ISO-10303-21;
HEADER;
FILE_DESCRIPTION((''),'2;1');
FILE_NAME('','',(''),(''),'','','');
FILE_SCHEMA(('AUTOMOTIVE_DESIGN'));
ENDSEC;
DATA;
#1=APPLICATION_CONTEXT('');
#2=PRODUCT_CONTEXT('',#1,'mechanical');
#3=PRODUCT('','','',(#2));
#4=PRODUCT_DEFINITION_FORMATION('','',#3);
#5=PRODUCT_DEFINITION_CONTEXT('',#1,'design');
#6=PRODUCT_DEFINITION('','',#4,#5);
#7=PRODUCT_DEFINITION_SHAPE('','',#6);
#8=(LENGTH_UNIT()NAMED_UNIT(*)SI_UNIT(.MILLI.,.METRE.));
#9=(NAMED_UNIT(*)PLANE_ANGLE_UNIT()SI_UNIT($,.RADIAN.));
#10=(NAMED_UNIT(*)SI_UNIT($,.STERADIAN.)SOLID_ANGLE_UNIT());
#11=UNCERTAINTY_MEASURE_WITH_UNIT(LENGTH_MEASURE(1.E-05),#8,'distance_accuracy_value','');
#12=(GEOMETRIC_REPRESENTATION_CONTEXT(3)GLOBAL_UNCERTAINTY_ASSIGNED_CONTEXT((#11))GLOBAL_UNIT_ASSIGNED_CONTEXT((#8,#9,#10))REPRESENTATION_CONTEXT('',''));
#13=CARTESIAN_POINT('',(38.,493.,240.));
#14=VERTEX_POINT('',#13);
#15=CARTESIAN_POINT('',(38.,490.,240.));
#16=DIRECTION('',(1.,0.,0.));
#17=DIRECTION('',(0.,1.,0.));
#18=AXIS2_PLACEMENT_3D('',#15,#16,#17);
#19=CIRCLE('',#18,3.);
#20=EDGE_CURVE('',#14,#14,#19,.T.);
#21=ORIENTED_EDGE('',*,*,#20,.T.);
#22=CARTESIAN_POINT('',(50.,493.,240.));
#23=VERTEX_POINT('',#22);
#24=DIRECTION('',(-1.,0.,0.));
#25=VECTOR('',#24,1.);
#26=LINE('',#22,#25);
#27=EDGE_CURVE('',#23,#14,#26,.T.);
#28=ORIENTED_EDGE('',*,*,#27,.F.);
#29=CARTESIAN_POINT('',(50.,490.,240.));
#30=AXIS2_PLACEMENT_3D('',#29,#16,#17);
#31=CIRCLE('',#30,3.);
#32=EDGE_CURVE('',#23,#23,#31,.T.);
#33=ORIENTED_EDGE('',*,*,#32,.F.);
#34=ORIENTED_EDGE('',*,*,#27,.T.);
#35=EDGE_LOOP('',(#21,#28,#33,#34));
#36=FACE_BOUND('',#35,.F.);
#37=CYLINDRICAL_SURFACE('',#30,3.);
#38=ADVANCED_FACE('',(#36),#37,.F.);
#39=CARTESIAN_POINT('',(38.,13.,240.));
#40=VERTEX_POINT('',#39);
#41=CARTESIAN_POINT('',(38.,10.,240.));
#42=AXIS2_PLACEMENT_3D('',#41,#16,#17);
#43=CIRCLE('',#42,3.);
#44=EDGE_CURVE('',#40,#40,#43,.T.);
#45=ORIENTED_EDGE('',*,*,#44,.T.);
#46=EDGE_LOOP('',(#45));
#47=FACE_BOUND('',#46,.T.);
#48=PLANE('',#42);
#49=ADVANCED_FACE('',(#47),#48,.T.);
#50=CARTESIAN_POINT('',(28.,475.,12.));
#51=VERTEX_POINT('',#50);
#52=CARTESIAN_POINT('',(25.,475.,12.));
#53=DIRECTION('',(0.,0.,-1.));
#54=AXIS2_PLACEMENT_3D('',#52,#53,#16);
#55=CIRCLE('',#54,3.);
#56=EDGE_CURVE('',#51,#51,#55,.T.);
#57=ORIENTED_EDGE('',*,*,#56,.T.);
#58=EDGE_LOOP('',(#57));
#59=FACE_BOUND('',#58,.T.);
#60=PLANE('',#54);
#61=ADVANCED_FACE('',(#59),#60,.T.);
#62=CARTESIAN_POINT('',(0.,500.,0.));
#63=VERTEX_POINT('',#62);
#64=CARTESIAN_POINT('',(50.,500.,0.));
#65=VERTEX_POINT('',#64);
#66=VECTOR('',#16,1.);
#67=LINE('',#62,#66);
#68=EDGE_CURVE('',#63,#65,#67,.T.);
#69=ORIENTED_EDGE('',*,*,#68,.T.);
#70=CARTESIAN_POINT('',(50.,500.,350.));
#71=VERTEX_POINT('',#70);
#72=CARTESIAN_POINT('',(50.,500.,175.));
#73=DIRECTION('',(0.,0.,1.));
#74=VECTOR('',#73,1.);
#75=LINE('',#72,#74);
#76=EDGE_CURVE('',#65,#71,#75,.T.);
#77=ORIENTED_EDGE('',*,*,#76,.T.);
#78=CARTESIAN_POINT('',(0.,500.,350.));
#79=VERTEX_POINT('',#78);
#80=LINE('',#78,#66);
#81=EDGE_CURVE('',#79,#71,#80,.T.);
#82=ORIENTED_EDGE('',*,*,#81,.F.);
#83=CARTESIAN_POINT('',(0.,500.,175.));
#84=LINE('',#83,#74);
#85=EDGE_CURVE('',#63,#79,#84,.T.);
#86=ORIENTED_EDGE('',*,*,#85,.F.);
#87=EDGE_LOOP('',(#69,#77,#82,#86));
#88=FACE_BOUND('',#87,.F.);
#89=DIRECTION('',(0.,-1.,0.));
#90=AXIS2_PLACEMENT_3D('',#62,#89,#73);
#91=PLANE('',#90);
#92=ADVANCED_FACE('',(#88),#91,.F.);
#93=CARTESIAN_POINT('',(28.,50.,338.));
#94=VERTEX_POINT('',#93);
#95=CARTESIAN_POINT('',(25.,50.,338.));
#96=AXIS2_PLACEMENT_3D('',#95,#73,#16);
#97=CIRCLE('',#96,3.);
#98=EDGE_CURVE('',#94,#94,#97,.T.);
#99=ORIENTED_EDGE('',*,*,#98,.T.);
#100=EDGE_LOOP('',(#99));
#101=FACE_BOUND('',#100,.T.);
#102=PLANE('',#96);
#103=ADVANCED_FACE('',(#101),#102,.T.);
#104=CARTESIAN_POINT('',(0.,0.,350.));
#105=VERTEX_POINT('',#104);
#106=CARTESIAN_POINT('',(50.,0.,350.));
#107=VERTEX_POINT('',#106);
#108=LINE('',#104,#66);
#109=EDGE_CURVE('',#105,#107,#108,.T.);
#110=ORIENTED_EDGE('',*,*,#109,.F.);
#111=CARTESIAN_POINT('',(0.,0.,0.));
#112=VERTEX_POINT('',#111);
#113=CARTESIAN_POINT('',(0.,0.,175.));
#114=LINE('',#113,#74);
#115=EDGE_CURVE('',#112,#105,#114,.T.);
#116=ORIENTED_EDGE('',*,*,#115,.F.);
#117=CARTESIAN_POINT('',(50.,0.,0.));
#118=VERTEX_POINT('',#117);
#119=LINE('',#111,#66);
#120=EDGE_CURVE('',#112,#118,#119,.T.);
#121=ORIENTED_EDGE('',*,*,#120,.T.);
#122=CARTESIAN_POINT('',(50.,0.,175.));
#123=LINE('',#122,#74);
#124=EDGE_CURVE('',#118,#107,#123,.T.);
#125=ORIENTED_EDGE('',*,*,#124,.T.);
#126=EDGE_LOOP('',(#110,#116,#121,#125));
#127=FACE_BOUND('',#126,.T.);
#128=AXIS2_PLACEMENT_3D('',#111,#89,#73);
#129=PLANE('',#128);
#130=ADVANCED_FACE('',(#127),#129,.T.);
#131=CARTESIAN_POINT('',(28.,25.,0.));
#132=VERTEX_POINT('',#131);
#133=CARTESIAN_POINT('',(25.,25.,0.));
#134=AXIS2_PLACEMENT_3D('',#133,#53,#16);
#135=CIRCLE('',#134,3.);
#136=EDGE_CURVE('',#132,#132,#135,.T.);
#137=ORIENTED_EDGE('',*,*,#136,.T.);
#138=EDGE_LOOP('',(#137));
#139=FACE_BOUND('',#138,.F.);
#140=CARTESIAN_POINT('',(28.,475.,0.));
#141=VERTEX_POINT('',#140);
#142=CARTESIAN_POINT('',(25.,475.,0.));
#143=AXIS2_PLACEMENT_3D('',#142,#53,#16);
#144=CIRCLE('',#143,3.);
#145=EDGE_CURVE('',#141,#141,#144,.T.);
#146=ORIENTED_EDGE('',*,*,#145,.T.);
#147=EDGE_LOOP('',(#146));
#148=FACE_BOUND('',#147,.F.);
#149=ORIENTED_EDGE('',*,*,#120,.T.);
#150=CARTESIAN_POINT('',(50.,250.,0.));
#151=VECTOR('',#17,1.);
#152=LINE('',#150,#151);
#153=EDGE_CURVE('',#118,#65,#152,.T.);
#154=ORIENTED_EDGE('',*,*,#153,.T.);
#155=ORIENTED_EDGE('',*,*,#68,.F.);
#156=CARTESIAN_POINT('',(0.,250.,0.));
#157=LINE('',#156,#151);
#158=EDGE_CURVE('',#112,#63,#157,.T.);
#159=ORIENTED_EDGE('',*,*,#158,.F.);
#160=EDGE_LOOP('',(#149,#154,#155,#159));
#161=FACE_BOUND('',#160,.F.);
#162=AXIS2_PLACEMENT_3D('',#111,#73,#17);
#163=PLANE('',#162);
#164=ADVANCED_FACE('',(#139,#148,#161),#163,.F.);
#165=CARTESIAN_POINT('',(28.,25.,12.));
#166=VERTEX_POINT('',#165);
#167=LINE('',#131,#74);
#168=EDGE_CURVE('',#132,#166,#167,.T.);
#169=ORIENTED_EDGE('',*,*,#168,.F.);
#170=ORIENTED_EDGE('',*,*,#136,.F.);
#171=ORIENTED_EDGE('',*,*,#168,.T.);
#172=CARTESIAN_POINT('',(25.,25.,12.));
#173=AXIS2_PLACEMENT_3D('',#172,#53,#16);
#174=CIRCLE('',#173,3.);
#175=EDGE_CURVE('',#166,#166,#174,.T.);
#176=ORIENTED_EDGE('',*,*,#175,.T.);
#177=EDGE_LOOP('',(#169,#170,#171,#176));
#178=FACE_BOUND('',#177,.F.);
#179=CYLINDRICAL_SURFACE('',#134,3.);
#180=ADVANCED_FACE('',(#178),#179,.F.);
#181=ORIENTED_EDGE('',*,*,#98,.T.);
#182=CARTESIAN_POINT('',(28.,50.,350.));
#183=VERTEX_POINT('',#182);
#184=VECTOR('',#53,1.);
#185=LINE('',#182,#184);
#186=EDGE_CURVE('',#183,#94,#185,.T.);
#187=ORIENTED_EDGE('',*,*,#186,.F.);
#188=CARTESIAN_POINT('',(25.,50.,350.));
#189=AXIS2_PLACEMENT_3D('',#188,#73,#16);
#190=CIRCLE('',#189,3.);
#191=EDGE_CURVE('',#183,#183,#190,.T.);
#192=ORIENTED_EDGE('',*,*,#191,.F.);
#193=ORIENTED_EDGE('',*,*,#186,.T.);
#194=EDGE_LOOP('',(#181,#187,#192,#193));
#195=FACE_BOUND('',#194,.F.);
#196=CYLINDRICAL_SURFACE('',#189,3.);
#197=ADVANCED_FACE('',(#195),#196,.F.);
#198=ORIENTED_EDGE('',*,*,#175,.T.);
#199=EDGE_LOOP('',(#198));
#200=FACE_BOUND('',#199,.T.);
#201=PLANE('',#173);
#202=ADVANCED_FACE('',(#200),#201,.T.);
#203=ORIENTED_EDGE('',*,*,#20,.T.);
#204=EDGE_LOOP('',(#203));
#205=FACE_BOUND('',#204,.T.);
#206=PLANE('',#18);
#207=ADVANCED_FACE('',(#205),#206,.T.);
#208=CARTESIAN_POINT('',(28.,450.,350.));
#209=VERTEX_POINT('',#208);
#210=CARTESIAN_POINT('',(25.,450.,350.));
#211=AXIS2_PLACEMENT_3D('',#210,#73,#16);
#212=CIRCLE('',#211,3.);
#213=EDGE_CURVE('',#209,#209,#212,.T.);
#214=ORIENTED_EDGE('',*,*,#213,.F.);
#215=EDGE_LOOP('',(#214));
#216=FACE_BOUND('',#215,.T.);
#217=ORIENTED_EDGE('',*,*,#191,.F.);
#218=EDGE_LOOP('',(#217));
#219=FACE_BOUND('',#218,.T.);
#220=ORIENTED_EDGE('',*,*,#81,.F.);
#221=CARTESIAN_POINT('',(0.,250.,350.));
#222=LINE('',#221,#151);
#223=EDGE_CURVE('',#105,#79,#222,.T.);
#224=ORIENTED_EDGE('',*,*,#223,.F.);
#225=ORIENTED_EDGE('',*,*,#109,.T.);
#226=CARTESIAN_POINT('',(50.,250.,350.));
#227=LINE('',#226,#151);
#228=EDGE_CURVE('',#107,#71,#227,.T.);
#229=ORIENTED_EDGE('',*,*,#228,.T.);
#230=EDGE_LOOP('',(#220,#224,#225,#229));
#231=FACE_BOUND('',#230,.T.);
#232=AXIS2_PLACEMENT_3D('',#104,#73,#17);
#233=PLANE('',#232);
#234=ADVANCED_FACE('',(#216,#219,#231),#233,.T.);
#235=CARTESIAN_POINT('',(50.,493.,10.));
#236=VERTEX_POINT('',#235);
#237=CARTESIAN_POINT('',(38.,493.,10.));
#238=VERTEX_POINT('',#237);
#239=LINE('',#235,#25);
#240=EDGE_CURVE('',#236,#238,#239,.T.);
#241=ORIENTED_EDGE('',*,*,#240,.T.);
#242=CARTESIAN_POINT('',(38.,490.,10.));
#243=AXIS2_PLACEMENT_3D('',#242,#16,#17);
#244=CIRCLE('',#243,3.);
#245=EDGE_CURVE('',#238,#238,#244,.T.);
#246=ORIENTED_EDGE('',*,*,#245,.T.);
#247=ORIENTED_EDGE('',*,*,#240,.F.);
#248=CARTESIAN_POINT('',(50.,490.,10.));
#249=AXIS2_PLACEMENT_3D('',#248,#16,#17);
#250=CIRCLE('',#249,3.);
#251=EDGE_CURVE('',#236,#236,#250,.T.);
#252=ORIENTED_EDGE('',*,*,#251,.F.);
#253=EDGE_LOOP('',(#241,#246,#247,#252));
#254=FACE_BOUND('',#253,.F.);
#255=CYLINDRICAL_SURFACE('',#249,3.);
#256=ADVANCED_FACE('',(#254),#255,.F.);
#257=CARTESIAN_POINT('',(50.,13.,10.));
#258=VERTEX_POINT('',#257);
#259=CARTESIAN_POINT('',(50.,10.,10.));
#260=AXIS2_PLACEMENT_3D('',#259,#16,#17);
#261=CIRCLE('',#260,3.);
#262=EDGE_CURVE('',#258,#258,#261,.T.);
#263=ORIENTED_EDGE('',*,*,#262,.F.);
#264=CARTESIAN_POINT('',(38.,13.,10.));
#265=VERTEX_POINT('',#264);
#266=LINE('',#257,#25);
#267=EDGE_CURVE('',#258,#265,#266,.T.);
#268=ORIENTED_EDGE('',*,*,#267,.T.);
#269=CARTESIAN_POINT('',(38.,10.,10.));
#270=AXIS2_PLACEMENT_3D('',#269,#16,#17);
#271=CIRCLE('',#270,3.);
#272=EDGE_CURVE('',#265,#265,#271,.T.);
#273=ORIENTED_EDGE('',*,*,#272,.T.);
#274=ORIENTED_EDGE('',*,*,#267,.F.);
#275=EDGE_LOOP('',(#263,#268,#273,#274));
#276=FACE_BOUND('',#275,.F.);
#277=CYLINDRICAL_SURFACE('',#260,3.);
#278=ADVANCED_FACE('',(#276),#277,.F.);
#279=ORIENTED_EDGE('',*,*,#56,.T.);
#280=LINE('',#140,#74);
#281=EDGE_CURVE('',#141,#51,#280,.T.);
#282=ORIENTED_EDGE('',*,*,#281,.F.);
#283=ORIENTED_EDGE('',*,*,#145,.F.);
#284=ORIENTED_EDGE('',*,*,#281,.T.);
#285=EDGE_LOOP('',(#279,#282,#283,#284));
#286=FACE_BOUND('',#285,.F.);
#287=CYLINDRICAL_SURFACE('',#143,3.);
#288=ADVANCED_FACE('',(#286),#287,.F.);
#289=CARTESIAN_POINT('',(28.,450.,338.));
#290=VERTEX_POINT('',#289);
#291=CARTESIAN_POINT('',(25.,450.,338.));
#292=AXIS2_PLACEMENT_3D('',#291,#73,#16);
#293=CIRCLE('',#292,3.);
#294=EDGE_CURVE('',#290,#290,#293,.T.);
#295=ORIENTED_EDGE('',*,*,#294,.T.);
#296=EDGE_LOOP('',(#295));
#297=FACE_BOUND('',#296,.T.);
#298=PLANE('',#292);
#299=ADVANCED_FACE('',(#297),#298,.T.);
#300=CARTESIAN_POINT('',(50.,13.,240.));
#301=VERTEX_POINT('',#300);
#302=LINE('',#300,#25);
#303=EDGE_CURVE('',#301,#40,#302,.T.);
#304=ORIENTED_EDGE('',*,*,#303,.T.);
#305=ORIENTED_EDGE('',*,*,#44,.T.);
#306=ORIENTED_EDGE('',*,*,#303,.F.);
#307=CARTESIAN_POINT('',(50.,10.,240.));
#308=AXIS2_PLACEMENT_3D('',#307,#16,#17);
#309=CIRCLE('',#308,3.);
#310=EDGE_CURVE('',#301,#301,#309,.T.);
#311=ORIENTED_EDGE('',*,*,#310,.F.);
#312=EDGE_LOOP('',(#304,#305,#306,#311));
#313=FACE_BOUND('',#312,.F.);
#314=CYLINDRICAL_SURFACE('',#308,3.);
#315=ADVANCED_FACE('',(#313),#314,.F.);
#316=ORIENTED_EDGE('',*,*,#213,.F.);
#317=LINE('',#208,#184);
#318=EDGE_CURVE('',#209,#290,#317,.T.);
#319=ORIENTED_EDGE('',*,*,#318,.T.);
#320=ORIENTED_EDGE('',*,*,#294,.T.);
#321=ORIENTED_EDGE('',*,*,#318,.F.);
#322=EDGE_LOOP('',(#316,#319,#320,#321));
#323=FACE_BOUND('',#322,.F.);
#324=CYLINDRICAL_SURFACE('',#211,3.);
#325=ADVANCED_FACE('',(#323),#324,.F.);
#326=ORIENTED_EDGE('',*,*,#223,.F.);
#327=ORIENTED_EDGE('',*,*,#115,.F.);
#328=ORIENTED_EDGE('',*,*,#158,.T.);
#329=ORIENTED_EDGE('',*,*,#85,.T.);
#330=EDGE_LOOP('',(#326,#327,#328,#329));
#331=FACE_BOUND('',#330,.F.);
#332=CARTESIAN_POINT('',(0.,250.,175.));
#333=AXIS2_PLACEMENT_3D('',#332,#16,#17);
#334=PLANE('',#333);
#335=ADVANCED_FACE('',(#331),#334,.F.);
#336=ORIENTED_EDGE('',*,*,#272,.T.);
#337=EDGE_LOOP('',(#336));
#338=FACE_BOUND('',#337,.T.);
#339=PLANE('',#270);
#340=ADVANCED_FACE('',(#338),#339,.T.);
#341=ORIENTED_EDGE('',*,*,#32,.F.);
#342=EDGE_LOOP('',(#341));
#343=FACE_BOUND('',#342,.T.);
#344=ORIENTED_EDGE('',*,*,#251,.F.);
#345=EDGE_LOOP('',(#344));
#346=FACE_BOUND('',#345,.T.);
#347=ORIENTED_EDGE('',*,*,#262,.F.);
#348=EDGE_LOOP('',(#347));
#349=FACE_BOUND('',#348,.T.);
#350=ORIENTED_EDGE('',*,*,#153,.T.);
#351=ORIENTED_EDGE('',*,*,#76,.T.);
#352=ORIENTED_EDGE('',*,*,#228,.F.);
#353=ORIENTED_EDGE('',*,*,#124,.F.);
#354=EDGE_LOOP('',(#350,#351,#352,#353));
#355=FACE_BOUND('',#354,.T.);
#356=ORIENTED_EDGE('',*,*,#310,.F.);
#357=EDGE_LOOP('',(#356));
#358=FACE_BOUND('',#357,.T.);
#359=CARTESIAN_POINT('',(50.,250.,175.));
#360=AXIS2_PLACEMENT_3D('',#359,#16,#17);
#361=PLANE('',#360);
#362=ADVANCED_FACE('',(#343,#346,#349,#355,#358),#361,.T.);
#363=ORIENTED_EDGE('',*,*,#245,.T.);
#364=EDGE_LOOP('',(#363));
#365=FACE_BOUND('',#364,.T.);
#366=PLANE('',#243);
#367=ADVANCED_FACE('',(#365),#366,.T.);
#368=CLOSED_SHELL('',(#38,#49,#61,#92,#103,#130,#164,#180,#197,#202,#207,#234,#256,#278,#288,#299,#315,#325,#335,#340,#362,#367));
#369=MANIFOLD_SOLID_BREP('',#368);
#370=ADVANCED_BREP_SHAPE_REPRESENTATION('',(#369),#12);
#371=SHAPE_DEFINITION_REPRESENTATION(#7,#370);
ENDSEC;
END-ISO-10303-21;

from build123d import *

# Parameters (mm, degrees)
F0_W      = 500
F0_H      = 350
F1_DEPTH  = 50
F2_R      = 3
F3_DEPTH  = 12
F4_DEPTH  = 12
F5_R      = 3
F6_DEPTH  = 12
F7_R      = 3
F8_DEPTH  = 12
F9_R      = 3
F10_DEPTH = 12


with BuildPart() as f1:
    # F0 (on Right) → F1 (new body)
    with BuildSketch(Plane.YZ):
        with Locations((250, 175)):
            Rectangle(F0_W, F0_H)
    extrude(amount=F1_DEPTH)

    # F2 (on face) → F3 (cut)
    with BuildSketch(Plane.XY.offset(350)):
        with Locations((25, 50)):
            Circle(F2_R)
    extrude(amount=-F3_DEPTH, mode=Mode.SUBTRACT)

    # F2 (on face) → F4 (cut)
    with BuildSketch(Plane.XY.offset(350)):
        with Locations((25, 450)):
            Circle(F2_R)
    extrude(amount=-F4_DEPTH, mode=Mode.SUBTRACT)

    # F5 (on face) → F6 (cut)
    with BuildSketch(Plane.YZ.offset(50)):
        with Locations((10, 240)):
            Circle(F5_R)
        with Locations((10, 10)):
            Circle(F5_R)
    extrude(amount=-F6_DEPTH, mode=Mode.SUBTRACT)

    # F7 (on face) → F8 (cut)
    with BuildSketch(Plane.YZ.offset(50)):
        with Locations((490, 240)):
            Circle(F7_R)
        with Locations((490, 10)):
            Circle(F7_R)
    extrude(amount=-F8_DEPTH, mode=Mode.SUBTRACT)

    # F9 (on face) → F10 (cut)
    with BuildSketch(Plane(origin=(0, 0, 0), x_dir=(1, 0, 0), z_dir=(0, 0, -1))):
        with Locations((25, -25)):
            Circle(F9_R)
        with Locations((25, -475)):
            Circle(F9_R)
    extrude(amount=-F10_DEPTH, mode=Mode.SUBTRACT)


solid = f1.part
